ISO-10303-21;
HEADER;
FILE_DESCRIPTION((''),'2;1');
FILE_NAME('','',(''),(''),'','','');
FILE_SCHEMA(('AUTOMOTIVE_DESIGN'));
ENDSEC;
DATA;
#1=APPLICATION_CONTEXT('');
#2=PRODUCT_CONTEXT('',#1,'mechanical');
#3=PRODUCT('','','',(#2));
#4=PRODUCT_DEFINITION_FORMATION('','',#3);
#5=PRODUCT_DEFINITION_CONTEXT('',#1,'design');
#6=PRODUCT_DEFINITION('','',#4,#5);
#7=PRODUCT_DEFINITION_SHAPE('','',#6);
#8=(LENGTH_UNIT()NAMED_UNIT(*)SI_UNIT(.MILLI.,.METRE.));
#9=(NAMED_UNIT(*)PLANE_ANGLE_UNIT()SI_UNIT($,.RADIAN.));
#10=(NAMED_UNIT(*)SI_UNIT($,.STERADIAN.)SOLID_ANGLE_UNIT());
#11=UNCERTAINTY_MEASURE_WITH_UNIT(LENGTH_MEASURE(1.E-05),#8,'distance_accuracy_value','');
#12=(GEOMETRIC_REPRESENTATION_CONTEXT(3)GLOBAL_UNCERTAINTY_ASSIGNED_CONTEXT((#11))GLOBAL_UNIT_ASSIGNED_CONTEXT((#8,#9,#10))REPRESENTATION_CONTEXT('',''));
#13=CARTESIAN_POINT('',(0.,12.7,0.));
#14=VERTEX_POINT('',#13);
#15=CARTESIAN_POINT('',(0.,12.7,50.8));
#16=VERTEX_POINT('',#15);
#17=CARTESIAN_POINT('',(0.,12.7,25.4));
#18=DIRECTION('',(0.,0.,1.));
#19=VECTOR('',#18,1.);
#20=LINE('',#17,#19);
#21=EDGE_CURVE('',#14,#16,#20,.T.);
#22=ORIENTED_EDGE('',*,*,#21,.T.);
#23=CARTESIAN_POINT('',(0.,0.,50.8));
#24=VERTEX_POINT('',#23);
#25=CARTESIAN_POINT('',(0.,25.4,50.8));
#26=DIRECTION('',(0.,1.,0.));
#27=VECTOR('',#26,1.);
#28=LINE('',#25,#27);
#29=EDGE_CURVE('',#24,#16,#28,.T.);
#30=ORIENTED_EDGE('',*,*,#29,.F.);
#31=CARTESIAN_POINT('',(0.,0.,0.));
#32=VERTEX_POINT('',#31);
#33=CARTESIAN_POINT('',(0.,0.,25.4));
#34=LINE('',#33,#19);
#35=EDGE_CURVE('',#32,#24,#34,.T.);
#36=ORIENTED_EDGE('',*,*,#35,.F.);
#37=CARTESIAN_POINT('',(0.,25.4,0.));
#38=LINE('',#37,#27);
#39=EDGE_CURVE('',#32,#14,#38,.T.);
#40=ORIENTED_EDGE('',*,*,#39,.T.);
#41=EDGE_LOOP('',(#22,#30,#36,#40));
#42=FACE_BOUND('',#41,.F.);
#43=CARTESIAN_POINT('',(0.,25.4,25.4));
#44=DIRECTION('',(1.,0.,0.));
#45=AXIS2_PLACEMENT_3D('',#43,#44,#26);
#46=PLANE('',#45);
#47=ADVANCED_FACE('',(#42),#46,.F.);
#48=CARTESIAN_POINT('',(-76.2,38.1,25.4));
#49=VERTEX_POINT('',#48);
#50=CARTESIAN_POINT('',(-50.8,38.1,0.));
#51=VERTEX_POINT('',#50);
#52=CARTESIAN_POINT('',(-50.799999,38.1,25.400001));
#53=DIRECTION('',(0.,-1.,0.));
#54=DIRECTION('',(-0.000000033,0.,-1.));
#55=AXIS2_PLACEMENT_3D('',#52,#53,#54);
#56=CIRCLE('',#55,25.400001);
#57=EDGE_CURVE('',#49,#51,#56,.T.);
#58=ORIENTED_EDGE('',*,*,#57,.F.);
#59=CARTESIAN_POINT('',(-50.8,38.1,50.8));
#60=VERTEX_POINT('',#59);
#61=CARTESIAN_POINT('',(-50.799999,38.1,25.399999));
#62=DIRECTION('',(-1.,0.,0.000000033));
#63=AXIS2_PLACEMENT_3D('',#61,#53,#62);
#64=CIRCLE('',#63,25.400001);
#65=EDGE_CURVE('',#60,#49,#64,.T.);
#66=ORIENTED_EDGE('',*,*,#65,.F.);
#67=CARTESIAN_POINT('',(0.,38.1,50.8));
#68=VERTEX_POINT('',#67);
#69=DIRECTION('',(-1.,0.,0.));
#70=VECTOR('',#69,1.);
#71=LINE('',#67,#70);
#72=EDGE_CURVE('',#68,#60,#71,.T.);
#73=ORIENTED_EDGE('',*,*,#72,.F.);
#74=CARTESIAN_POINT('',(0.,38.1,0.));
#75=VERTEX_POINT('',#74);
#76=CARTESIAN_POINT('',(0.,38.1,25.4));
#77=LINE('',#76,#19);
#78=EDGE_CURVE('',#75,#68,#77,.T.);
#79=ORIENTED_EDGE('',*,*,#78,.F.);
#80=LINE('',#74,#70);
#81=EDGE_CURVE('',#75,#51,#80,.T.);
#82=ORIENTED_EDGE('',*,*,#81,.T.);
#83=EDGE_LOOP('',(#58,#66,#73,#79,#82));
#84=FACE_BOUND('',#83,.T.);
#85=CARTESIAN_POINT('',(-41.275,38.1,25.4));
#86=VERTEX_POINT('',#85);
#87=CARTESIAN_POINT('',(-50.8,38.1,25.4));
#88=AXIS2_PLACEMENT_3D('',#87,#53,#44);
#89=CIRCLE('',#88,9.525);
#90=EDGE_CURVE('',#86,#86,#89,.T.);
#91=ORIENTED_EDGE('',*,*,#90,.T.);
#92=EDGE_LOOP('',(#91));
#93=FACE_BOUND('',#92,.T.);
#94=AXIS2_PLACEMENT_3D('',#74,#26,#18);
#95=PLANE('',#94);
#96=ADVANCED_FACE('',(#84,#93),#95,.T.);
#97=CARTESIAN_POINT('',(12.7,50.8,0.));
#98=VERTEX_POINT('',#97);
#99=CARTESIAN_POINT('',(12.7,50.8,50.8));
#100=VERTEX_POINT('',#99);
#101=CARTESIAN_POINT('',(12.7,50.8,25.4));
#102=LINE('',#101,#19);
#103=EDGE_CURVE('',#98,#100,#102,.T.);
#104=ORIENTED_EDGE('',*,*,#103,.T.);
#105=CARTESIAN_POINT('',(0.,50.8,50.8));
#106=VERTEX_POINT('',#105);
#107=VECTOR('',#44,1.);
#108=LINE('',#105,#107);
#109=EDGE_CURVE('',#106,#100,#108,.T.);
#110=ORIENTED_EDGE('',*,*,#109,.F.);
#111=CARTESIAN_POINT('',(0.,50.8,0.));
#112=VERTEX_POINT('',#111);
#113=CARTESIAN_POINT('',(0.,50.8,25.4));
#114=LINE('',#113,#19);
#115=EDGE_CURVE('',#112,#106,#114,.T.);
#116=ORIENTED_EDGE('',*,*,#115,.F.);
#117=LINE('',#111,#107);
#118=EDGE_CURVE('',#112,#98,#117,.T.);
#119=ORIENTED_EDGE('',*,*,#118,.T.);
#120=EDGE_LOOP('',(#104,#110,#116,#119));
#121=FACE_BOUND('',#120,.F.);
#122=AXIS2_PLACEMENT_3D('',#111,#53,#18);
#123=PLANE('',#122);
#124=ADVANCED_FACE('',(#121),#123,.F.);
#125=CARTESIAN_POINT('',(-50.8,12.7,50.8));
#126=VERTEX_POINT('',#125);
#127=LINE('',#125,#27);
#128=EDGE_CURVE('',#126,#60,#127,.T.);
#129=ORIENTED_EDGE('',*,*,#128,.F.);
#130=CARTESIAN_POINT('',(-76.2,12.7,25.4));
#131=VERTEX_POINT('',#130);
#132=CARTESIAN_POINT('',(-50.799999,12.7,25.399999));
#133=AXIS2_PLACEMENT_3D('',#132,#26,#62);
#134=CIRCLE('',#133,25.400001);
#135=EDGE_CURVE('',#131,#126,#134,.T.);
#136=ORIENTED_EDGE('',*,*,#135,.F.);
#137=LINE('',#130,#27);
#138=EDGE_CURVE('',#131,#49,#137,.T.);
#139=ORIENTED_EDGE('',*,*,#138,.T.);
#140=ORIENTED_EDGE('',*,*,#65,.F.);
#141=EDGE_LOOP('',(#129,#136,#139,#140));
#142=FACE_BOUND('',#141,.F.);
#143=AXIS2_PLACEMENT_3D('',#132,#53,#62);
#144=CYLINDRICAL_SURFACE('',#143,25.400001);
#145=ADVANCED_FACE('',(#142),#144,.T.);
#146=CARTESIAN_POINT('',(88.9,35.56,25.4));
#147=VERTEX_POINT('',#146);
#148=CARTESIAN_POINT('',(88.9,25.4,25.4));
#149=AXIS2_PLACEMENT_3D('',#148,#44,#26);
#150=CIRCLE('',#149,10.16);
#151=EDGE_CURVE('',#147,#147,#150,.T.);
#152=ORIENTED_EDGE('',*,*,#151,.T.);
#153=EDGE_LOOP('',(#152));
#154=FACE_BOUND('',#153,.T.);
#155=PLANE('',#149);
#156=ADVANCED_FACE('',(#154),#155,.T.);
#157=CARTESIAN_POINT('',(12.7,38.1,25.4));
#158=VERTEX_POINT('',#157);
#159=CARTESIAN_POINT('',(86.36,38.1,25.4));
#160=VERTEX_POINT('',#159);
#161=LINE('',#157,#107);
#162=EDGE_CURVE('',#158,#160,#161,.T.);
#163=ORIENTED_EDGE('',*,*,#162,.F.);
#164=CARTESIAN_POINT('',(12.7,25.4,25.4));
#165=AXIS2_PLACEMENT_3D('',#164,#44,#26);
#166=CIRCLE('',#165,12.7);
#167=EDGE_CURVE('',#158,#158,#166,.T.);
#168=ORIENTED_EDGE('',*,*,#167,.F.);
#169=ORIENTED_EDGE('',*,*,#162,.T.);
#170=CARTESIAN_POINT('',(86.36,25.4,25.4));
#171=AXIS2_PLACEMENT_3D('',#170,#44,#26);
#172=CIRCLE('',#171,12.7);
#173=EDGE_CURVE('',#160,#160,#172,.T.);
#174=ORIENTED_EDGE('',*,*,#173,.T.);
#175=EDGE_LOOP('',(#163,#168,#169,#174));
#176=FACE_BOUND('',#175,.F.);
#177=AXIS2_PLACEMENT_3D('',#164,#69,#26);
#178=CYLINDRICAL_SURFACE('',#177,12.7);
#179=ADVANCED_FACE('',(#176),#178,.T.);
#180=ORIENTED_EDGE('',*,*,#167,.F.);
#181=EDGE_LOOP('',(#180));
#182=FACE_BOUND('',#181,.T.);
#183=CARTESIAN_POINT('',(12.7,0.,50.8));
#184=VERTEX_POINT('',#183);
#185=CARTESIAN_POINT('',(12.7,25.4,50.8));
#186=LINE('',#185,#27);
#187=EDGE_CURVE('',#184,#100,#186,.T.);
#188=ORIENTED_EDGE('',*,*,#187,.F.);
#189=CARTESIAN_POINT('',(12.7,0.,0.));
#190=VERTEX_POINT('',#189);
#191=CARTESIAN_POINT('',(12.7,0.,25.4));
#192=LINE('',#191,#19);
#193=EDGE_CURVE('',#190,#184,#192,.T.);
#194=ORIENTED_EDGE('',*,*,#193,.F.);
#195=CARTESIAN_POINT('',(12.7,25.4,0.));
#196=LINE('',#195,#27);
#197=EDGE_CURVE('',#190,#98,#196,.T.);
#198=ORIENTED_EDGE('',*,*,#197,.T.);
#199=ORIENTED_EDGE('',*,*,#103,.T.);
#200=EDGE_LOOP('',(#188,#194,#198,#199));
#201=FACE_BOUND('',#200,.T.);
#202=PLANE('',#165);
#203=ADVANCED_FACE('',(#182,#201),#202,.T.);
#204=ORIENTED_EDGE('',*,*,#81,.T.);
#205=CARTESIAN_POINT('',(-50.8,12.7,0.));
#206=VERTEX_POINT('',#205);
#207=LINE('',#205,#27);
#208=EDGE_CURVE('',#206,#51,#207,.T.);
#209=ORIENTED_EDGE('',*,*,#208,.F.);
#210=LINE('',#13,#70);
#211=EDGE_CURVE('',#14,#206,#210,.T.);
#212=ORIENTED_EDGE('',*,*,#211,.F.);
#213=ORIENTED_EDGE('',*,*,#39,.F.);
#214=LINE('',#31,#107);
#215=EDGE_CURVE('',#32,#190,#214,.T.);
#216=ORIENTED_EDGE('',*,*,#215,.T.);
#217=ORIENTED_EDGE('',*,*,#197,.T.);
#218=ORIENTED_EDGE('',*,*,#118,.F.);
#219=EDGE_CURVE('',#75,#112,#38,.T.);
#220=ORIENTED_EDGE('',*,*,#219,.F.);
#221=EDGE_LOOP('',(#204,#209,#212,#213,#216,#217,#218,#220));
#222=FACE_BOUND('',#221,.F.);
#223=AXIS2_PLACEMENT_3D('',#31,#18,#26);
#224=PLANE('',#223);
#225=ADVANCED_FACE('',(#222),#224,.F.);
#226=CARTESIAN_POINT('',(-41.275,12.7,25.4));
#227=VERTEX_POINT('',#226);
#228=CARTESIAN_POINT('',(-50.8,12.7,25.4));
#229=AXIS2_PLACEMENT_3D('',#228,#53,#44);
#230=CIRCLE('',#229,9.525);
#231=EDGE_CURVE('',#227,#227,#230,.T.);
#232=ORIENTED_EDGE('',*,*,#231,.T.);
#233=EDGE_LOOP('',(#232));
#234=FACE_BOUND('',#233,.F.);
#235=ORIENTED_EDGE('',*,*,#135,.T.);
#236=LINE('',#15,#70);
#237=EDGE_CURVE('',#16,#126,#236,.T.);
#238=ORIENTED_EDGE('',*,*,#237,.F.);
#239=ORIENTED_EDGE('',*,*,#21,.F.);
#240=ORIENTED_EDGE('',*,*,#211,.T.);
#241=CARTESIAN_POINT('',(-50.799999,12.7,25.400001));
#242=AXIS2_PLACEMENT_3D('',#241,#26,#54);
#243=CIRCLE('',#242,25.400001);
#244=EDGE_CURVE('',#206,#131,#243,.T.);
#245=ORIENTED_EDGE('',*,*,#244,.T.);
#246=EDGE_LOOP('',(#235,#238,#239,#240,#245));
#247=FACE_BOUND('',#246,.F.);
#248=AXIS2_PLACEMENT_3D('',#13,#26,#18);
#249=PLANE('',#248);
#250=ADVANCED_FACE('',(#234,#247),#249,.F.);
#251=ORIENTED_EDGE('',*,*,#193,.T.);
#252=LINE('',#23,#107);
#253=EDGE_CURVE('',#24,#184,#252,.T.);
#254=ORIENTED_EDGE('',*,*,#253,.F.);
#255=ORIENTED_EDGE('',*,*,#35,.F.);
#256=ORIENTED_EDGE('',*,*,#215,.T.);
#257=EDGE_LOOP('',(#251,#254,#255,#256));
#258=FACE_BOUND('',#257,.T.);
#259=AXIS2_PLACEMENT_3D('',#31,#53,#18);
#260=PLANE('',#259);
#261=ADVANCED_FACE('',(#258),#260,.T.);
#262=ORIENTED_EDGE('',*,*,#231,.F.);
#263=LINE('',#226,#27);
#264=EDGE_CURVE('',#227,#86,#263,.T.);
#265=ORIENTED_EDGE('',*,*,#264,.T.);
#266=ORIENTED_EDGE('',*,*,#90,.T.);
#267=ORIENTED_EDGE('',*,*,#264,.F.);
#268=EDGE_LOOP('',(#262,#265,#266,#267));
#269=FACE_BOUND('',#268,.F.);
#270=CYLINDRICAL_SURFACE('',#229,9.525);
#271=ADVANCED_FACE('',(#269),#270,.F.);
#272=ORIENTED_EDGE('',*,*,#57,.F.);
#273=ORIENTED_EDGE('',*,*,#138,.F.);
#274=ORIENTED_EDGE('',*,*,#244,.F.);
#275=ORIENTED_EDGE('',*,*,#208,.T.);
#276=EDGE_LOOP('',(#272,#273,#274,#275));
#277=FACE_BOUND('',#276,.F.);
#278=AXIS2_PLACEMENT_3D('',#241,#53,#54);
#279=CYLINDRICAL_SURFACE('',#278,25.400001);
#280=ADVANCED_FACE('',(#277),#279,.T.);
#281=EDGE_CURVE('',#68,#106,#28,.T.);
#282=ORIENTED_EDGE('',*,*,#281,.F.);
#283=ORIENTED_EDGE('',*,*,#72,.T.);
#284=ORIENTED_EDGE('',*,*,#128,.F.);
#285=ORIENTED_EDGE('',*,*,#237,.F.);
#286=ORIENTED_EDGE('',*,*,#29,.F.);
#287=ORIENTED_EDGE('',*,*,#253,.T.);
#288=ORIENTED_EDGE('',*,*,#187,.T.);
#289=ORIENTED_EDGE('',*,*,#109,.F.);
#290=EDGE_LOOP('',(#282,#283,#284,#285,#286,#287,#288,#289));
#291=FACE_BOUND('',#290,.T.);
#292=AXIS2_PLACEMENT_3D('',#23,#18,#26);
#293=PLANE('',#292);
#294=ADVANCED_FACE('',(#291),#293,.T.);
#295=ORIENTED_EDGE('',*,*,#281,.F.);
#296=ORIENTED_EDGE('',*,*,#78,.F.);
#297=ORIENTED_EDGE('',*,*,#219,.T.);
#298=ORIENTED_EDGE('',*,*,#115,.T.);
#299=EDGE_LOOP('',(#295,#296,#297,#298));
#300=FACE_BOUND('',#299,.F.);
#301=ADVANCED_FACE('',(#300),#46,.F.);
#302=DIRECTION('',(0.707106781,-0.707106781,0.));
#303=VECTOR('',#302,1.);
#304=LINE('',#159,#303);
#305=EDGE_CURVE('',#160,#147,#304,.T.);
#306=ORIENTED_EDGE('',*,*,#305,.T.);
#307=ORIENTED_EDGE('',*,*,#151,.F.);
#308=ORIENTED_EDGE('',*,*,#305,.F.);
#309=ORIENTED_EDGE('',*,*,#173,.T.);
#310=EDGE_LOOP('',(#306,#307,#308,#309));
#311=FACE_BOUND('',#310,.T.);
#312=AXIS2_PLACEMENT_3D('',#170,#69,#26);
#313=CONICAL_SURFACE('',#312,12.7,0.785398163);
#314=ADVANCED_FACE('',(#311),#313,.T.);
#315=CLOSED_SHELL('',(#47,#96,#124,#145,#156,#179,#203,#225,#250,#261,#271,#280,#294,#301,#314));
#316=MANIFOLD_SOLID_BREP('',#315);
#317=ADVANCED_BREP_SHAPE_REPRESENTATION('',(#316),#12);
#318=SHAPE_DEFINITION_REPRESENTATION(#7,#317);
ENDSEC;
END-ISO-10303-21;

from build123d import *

# Parameters (mm, degrees)
F0_W     = 50.8
F0_H     = 50.8
F1_DEPTH = 12.7
F2_R     = 12.7
F3_DEPTH = 76.2
F4_SIZE  = 2.54
F5_W     = 25.4
F5_H     = 50.8
F6_DEPTH = 76.2
F7_R     = 9.525
F8_DEPTH = 38.101


with BuildPart() as f1:
    # F0 (on Right) → F1 (new body)
    with BuildSketch(Plane.YZ):
        with Locations((25.4, 25.4)):
            Rectangle(F0_W, F0_H)
    extrude(amount=F1_DEPTH)

    # F2 (on face) → F3 (join)
    with BuildSketch(Plane.YZ.offset(12.7)):
        with Locations((25.4, 25.4)):
            Circle(F2_R)
    extrude(amount=F3_DEPTH)

    # F4
    f4_edges = [f1.edges().sort_by_distance(p)[0] for p in [
        (88.9, 12.7, 25.4),
    ]]
    chamfer(f4_edges, length=F4_SIZE)

    # F5 (on face) → F6 (join)
    with BuildSketch(Plane(origin=(0, 0, 0), x_dir=(0, -1, 0), z_dir=(-1, 0, 0))):
        with Locations((-25.4, 25.4)):
            Rectangle(F5_W, F5_H)
    extrude(amount=F6_DEPTH)

    # F7 (on face) → F8 (cut, through all)
    with BuildSketch(Plane.XZ.offset(-12.7)):
        with BuildLine():
            ThreePointArc((-76.2, 25.4), (-68.760512, 43.360512), (-50.8, 50.8))
            Line((-50.8, 50.8), (-76.2, 50.8))
            Line((-76.2, 50.8), (-76.2, 25.4))
        make_face()
        with BuildLine():
            ThreePointArc((-50.8, 0), (-68.760512, 7.439488), (-76.2, 25.4))
            Line((-76.2, 25.4), (-76.2, 0))
            Line((-76.2, 0), (-50.8, 0))
        make_face()
        with Locations((-50.8, 25.4)):
            Circle(F7_R)
    extrude(amount=-F8_DEPTH, mode=Mode.SUBTRACT)


solid = f1.part
